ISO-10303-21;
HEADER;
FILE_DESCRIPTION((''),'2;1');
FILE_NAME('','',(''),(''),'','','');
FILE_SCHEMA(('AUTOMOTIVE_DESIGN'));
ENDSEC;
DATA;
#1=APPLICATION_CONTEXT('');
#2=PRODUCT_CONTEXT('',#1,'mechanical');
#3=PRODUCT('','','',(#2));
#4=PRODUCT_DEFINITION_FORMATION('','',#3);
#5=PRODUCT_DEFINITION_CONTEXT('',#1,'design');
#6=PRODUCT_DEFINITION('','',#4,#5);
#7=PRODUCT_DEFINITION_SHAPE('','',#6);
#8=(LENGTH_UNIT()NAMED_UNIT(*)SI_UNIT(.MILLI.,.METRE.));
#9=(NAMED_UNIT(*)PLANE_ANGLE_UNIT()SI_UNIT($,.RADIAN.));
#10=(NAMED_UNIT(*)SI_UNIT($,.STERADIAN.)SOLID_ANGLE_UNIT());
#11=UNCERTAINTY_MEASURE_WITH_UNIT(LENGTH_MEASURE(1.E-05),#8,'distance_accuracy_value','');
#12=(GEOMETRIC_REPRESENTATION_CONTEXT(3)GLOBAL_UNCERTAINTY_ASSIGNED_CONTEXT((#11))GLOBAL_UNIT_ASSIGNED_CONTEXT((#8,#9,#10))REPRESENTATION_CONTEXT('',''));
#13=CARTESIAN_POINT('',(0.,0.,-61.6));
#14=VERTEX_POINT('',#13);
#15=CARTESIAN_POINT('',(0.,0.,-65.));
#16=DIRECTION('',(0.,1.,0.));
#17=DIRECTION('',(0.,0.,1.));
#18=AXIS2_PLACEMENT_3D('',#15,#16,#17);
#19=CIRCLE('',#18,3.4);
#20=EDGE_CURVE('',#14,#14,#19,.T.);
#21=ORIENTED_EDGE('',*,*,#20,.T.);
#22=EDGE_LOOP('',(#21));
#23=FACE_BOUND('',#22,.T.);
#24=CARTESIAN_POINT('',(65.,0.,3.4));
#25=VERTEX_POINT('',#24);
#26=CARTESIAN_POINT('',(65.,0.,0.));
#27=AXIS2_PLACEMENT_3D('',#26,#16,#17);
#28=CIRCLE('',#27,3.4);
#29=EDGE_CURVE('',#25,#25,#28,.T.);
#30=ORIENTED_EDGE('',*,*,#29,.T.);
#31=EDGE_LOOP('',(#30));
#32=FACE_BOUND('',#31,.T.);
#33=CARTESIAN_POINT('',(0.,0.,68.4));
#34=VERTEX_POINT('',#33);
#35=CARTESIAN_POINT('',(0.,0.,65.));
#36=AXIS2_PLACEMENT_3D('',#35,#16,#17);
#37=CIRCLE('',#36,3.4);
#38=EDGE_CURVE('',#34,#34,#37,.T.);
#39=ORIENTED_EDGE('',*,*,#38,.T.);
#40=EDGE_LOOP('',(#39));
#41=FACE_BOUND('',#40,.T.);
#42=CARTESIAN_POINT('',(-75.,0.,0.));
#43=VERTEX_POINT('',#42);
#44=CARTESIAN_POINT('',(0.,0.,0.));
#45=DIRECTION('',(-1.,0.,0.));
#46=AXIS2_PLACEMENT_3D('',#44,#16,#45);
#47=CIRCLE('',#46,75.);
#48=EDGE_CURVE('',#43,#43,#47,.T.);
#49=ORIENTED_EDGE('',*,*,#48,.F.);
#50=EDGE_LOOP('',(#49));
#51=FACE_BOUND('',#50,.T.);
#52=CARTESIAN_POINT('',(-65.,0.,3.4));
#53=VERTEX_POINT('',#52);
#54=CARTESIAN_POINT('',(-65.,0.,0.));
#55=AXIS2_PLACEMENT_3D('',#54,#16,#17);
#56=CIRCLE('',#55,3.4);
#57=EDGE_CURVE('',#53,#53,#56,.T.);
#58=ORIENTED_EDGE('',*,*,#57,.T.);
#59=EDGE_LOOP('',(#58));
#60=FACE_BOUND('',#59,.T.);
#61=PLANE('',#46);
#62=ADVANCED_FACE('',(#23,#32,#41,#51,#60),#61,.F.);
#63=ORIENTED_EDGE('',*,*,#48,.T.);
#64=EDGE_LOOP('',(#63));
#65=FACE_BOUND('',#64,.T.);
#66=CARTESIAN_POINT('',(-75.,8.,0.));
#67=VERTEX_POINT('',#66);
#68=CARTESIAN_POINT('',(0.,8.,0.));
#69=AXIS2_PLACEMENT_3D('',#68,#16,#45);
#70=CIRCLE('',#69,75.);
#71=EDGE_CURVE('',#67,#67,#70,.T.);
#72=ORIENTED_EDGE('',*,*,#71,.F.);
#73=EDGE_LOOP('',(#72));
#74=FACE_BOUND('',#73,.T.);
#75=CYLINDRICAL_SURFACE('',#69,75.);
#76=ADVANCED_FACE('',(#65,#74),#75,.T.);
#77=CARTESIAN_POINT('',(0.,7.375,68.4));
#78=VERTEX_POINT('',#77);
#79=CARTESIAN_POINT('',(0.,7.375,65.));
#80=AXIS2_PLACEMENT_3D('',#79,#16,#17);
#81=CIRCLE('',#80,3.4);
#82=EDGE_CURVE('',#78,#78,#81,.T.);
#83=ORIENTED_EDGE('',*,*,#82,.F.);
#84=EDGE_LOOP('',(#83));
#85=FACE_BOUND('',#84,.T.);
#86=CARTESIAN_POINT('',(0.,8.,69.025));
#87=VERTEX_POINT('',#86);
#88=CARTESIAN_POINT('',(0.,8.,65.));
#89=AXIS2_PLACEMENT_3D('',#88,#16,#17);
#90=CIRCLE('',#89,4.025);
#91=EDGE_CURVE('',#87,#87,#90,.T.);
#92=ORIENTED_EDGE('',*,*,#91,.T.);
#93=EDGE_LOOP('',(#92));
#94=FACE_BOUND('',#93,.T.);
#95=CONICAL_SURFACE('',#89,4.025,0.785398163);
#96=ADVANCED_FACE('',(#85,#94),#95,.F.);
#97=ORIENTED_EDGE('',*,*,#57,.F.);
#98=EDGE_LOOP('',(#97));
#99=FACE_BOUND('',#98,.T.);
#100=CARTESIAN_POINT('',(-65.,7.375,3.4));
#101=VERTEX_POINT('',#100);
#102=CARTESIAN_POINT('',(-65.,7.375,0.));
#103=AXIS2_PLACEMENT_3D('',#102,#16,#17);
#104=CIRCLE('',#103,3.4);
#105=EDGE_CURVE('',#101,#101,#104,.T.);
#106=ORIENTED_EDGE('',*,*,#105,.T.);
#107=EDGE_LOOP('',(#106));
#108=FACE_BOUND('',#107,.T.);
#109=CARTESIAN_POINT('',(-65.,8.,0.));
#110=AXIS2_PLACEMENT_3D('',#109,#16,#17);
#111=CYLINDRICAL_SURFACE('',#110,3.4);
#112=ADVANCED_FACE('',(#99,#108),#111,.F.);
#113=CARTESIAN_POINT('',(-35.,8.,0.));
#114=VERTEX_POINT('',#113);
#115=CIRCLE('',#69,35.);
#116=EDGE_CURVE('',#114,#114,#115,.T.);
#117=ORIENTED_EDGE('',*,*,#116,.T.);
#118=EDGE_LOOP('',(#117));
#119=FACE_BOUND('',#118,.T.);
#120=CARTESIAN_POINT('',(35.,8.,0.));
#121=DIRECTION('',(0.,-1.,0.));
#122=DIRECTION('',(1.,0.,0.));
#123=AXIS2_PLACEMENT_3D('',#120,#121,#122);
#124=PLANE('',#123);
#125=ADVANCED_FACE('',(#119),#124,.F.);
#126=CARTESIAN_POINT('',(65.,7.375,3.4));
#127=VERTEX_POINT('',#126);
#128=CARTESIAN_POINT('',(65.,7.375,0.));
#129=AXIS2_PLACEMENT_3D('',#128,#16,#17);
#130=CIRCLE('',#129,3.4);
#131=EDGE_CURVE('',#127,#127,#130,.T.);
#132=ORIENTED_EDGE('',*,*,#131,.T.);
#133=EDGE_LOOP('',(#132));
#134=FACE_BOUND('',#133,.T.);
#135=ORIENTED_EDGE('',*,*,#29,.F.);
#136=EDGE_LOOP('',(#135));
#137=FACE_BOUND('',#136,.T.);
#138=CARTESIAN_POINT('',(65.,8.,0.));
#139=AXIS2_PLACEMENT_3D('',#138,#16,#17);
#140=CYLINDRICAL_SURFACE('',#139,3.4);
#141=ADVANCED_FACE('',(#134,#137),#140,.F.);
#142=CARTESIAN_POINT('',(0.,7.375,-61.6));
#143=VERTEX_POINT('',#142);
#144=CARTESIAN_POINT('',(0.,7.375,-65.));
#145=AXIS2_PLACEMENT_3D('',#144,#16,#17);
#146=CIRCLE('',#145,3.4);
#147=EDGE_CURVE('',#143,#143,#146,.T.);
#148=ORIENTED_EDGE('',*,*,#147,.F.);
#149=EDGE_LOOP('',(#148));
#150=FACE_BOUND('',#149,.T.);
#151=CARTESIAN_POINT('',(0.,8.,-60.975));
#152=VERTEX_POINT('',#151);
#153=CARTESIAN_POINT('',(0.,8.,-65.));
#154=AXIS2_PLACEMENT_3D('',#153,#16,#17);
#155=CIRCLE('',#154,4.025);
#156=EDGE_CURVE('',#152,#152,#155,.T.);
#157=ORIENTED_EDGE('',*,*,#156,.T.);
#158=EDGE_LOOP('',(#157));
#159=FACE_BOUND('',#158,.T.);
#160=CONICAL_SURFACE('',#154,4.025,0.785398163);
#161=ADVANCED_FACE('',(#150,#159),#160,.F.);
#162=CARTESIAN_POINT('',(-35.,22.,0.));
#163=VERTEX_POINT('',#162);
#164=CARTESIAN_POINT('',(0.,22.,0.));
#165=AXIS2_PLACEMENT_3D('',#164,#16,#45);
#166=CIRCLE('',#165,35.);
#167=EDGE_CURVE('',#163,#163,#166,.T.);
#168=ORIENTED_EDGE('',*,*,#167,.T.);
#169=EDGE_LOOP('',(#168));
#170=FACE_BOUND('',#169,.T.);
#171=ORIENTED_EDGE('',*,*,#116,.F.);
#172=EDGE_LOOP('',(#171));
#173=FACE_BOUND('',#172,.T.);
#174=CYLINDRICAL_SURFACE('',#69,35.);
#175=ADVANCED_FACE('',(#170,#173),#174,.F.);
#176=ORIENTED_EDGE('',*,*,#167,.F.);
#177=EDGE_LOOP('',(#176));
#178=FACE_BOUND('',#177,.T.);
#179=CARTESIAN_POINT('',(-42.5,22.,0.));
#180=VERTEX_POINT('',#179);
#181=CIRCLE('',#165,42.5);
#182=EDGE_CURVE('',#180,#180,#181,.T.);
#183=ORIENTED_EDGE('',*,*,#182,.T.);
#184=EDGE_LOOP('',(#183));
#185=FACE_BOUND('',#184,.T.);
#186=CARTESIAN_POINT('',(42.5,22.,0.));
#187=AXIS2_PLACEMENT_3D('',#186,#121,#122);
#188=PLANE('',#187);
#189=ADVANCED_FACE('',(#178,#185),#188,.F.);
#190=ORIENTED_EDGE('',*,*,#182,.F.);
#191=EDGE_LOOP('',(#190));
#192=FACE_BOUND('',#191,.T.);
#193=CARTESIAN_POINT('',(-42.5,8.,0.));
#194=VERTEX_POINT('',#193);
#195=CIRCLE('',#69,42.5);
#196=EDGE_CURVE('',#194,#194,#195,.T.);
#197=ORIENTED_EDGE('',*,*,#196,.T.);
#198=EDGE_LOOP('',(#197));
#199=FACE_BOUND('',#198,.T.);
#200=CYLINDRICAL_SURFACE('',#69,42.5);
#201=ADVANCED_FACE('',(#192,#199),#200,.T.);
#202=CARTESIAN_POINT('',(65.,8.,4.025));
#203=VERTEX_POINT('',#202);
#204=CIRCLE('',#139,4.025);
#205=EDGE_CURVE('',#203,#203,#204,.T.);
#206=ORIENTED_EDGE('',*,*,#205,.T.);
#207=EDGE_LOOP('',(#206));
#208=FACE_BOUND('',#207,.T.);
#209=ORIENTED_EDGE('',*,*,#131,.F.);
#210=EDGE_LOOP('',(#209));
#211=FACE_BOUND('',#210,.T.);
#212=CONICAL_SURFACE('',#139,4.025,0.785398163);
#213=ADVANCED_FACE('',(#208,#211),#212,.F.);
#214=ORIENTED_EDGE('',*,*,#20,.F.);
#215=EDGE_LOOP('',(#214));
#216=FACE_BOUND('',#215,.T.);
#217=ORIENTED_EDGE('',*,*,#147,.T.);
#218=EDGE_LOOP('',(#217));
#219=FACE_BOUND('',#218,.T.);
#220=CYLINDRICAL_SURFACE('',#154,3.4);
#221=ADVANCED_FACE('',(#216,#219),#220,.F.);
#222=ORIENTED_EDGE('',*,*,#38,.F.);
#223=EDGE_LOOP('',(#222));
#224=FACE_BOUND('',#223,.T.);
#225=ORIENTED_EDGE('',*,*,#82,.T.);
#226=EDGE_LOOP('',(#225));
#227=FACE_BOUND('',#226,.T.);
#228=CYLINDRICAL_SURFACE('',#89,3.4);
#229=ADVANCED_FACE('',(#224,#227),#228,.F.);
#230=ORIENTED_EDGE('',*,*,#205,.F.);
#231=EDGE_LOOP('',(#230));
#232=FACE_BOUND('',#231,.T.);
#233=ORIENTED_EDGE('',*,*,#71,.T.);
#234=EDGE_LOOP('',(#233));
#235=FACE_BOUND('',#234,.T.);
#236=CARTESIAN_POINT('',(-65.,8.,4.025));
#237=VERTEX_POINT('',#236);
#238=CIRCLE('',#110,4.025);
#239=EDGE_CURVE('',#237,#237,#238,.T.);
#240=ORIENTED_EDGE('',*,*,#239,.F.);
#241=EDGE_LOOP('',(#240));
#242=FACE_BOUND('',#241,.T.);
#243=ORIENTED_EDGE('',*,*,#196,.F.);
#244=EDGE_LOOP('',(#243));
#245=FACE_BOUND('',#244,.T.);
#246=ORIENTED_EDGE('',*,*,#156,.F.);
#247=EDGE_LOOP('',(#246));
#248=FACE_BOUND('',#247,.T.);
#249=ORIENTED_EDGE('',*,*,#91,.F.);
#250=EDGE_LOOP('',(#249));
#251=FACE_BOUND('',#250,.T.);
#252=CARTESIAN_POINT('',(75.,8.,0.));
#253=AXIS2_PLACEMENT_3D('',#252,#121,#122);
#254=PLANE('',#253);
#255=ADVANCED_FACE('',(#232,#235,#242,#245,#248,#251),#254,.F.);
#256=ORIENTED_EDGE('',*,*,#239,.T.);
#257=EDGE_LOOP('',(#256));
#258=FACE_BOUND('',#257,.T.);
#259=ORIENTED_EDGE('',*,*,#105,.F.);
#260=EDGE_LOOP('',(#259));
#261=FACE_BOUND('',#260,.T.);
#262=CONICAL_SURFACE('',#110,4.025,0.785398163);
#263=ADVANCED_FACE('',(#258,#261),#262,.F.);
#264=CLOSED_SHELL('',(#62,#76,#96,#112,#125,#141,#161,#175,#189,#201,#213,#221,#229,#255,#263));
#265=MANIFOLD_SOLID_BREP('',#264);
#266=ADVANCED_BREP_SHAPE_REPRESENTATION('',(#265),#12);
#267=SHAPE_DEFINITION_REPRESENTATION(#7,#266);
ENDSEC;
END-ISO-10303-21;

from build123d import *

# Parameters (mm, degrees)
HOLE_WIZARD_M8_1_D           = 6.8
HOLE_WIZARD_M8_1_CSINK_D     = 8.05
HOLE_WIZARD_M8_1_CSINK_ANGLE = 90


with BuildPart() as part:
    # 草图1 → 旋转1 (revolve)
    with BuildSketch(Plane.XY, mode=Mode.PRIVATE) as revolve_1_sk:
        Polygon((0, 0), (75, 0), (75, 8), (42.5, 8), (42.5, 22), (35, 22), (35, 8), (0, 8), align=None)
    revolve(revolve_1_sk.sketch.rotate(Axis((0, 8, 0), (0, -1, 0)), 180), axis=Axis((0, 8, 0), (0, -1, 0)))

    # M8 螺纹孔1 (through all)
    with Locations(Plane(origin=(0, 8, 0), x_dir=(1, 0, 0), z_dir=(0, 1, 0))):
        with Locations((-65, 0), (65, 0), (0, -65), (0, 65)):
            CounterSinkHole(HOLE_WIZARD_M8_1_D / 2, HOLE_WIZARD_M8_1_CSINK_D / 2, counter_sink_angle=HOLE_WIZARD_M8_1_CSINK_ANGLE)


solid = part.part
